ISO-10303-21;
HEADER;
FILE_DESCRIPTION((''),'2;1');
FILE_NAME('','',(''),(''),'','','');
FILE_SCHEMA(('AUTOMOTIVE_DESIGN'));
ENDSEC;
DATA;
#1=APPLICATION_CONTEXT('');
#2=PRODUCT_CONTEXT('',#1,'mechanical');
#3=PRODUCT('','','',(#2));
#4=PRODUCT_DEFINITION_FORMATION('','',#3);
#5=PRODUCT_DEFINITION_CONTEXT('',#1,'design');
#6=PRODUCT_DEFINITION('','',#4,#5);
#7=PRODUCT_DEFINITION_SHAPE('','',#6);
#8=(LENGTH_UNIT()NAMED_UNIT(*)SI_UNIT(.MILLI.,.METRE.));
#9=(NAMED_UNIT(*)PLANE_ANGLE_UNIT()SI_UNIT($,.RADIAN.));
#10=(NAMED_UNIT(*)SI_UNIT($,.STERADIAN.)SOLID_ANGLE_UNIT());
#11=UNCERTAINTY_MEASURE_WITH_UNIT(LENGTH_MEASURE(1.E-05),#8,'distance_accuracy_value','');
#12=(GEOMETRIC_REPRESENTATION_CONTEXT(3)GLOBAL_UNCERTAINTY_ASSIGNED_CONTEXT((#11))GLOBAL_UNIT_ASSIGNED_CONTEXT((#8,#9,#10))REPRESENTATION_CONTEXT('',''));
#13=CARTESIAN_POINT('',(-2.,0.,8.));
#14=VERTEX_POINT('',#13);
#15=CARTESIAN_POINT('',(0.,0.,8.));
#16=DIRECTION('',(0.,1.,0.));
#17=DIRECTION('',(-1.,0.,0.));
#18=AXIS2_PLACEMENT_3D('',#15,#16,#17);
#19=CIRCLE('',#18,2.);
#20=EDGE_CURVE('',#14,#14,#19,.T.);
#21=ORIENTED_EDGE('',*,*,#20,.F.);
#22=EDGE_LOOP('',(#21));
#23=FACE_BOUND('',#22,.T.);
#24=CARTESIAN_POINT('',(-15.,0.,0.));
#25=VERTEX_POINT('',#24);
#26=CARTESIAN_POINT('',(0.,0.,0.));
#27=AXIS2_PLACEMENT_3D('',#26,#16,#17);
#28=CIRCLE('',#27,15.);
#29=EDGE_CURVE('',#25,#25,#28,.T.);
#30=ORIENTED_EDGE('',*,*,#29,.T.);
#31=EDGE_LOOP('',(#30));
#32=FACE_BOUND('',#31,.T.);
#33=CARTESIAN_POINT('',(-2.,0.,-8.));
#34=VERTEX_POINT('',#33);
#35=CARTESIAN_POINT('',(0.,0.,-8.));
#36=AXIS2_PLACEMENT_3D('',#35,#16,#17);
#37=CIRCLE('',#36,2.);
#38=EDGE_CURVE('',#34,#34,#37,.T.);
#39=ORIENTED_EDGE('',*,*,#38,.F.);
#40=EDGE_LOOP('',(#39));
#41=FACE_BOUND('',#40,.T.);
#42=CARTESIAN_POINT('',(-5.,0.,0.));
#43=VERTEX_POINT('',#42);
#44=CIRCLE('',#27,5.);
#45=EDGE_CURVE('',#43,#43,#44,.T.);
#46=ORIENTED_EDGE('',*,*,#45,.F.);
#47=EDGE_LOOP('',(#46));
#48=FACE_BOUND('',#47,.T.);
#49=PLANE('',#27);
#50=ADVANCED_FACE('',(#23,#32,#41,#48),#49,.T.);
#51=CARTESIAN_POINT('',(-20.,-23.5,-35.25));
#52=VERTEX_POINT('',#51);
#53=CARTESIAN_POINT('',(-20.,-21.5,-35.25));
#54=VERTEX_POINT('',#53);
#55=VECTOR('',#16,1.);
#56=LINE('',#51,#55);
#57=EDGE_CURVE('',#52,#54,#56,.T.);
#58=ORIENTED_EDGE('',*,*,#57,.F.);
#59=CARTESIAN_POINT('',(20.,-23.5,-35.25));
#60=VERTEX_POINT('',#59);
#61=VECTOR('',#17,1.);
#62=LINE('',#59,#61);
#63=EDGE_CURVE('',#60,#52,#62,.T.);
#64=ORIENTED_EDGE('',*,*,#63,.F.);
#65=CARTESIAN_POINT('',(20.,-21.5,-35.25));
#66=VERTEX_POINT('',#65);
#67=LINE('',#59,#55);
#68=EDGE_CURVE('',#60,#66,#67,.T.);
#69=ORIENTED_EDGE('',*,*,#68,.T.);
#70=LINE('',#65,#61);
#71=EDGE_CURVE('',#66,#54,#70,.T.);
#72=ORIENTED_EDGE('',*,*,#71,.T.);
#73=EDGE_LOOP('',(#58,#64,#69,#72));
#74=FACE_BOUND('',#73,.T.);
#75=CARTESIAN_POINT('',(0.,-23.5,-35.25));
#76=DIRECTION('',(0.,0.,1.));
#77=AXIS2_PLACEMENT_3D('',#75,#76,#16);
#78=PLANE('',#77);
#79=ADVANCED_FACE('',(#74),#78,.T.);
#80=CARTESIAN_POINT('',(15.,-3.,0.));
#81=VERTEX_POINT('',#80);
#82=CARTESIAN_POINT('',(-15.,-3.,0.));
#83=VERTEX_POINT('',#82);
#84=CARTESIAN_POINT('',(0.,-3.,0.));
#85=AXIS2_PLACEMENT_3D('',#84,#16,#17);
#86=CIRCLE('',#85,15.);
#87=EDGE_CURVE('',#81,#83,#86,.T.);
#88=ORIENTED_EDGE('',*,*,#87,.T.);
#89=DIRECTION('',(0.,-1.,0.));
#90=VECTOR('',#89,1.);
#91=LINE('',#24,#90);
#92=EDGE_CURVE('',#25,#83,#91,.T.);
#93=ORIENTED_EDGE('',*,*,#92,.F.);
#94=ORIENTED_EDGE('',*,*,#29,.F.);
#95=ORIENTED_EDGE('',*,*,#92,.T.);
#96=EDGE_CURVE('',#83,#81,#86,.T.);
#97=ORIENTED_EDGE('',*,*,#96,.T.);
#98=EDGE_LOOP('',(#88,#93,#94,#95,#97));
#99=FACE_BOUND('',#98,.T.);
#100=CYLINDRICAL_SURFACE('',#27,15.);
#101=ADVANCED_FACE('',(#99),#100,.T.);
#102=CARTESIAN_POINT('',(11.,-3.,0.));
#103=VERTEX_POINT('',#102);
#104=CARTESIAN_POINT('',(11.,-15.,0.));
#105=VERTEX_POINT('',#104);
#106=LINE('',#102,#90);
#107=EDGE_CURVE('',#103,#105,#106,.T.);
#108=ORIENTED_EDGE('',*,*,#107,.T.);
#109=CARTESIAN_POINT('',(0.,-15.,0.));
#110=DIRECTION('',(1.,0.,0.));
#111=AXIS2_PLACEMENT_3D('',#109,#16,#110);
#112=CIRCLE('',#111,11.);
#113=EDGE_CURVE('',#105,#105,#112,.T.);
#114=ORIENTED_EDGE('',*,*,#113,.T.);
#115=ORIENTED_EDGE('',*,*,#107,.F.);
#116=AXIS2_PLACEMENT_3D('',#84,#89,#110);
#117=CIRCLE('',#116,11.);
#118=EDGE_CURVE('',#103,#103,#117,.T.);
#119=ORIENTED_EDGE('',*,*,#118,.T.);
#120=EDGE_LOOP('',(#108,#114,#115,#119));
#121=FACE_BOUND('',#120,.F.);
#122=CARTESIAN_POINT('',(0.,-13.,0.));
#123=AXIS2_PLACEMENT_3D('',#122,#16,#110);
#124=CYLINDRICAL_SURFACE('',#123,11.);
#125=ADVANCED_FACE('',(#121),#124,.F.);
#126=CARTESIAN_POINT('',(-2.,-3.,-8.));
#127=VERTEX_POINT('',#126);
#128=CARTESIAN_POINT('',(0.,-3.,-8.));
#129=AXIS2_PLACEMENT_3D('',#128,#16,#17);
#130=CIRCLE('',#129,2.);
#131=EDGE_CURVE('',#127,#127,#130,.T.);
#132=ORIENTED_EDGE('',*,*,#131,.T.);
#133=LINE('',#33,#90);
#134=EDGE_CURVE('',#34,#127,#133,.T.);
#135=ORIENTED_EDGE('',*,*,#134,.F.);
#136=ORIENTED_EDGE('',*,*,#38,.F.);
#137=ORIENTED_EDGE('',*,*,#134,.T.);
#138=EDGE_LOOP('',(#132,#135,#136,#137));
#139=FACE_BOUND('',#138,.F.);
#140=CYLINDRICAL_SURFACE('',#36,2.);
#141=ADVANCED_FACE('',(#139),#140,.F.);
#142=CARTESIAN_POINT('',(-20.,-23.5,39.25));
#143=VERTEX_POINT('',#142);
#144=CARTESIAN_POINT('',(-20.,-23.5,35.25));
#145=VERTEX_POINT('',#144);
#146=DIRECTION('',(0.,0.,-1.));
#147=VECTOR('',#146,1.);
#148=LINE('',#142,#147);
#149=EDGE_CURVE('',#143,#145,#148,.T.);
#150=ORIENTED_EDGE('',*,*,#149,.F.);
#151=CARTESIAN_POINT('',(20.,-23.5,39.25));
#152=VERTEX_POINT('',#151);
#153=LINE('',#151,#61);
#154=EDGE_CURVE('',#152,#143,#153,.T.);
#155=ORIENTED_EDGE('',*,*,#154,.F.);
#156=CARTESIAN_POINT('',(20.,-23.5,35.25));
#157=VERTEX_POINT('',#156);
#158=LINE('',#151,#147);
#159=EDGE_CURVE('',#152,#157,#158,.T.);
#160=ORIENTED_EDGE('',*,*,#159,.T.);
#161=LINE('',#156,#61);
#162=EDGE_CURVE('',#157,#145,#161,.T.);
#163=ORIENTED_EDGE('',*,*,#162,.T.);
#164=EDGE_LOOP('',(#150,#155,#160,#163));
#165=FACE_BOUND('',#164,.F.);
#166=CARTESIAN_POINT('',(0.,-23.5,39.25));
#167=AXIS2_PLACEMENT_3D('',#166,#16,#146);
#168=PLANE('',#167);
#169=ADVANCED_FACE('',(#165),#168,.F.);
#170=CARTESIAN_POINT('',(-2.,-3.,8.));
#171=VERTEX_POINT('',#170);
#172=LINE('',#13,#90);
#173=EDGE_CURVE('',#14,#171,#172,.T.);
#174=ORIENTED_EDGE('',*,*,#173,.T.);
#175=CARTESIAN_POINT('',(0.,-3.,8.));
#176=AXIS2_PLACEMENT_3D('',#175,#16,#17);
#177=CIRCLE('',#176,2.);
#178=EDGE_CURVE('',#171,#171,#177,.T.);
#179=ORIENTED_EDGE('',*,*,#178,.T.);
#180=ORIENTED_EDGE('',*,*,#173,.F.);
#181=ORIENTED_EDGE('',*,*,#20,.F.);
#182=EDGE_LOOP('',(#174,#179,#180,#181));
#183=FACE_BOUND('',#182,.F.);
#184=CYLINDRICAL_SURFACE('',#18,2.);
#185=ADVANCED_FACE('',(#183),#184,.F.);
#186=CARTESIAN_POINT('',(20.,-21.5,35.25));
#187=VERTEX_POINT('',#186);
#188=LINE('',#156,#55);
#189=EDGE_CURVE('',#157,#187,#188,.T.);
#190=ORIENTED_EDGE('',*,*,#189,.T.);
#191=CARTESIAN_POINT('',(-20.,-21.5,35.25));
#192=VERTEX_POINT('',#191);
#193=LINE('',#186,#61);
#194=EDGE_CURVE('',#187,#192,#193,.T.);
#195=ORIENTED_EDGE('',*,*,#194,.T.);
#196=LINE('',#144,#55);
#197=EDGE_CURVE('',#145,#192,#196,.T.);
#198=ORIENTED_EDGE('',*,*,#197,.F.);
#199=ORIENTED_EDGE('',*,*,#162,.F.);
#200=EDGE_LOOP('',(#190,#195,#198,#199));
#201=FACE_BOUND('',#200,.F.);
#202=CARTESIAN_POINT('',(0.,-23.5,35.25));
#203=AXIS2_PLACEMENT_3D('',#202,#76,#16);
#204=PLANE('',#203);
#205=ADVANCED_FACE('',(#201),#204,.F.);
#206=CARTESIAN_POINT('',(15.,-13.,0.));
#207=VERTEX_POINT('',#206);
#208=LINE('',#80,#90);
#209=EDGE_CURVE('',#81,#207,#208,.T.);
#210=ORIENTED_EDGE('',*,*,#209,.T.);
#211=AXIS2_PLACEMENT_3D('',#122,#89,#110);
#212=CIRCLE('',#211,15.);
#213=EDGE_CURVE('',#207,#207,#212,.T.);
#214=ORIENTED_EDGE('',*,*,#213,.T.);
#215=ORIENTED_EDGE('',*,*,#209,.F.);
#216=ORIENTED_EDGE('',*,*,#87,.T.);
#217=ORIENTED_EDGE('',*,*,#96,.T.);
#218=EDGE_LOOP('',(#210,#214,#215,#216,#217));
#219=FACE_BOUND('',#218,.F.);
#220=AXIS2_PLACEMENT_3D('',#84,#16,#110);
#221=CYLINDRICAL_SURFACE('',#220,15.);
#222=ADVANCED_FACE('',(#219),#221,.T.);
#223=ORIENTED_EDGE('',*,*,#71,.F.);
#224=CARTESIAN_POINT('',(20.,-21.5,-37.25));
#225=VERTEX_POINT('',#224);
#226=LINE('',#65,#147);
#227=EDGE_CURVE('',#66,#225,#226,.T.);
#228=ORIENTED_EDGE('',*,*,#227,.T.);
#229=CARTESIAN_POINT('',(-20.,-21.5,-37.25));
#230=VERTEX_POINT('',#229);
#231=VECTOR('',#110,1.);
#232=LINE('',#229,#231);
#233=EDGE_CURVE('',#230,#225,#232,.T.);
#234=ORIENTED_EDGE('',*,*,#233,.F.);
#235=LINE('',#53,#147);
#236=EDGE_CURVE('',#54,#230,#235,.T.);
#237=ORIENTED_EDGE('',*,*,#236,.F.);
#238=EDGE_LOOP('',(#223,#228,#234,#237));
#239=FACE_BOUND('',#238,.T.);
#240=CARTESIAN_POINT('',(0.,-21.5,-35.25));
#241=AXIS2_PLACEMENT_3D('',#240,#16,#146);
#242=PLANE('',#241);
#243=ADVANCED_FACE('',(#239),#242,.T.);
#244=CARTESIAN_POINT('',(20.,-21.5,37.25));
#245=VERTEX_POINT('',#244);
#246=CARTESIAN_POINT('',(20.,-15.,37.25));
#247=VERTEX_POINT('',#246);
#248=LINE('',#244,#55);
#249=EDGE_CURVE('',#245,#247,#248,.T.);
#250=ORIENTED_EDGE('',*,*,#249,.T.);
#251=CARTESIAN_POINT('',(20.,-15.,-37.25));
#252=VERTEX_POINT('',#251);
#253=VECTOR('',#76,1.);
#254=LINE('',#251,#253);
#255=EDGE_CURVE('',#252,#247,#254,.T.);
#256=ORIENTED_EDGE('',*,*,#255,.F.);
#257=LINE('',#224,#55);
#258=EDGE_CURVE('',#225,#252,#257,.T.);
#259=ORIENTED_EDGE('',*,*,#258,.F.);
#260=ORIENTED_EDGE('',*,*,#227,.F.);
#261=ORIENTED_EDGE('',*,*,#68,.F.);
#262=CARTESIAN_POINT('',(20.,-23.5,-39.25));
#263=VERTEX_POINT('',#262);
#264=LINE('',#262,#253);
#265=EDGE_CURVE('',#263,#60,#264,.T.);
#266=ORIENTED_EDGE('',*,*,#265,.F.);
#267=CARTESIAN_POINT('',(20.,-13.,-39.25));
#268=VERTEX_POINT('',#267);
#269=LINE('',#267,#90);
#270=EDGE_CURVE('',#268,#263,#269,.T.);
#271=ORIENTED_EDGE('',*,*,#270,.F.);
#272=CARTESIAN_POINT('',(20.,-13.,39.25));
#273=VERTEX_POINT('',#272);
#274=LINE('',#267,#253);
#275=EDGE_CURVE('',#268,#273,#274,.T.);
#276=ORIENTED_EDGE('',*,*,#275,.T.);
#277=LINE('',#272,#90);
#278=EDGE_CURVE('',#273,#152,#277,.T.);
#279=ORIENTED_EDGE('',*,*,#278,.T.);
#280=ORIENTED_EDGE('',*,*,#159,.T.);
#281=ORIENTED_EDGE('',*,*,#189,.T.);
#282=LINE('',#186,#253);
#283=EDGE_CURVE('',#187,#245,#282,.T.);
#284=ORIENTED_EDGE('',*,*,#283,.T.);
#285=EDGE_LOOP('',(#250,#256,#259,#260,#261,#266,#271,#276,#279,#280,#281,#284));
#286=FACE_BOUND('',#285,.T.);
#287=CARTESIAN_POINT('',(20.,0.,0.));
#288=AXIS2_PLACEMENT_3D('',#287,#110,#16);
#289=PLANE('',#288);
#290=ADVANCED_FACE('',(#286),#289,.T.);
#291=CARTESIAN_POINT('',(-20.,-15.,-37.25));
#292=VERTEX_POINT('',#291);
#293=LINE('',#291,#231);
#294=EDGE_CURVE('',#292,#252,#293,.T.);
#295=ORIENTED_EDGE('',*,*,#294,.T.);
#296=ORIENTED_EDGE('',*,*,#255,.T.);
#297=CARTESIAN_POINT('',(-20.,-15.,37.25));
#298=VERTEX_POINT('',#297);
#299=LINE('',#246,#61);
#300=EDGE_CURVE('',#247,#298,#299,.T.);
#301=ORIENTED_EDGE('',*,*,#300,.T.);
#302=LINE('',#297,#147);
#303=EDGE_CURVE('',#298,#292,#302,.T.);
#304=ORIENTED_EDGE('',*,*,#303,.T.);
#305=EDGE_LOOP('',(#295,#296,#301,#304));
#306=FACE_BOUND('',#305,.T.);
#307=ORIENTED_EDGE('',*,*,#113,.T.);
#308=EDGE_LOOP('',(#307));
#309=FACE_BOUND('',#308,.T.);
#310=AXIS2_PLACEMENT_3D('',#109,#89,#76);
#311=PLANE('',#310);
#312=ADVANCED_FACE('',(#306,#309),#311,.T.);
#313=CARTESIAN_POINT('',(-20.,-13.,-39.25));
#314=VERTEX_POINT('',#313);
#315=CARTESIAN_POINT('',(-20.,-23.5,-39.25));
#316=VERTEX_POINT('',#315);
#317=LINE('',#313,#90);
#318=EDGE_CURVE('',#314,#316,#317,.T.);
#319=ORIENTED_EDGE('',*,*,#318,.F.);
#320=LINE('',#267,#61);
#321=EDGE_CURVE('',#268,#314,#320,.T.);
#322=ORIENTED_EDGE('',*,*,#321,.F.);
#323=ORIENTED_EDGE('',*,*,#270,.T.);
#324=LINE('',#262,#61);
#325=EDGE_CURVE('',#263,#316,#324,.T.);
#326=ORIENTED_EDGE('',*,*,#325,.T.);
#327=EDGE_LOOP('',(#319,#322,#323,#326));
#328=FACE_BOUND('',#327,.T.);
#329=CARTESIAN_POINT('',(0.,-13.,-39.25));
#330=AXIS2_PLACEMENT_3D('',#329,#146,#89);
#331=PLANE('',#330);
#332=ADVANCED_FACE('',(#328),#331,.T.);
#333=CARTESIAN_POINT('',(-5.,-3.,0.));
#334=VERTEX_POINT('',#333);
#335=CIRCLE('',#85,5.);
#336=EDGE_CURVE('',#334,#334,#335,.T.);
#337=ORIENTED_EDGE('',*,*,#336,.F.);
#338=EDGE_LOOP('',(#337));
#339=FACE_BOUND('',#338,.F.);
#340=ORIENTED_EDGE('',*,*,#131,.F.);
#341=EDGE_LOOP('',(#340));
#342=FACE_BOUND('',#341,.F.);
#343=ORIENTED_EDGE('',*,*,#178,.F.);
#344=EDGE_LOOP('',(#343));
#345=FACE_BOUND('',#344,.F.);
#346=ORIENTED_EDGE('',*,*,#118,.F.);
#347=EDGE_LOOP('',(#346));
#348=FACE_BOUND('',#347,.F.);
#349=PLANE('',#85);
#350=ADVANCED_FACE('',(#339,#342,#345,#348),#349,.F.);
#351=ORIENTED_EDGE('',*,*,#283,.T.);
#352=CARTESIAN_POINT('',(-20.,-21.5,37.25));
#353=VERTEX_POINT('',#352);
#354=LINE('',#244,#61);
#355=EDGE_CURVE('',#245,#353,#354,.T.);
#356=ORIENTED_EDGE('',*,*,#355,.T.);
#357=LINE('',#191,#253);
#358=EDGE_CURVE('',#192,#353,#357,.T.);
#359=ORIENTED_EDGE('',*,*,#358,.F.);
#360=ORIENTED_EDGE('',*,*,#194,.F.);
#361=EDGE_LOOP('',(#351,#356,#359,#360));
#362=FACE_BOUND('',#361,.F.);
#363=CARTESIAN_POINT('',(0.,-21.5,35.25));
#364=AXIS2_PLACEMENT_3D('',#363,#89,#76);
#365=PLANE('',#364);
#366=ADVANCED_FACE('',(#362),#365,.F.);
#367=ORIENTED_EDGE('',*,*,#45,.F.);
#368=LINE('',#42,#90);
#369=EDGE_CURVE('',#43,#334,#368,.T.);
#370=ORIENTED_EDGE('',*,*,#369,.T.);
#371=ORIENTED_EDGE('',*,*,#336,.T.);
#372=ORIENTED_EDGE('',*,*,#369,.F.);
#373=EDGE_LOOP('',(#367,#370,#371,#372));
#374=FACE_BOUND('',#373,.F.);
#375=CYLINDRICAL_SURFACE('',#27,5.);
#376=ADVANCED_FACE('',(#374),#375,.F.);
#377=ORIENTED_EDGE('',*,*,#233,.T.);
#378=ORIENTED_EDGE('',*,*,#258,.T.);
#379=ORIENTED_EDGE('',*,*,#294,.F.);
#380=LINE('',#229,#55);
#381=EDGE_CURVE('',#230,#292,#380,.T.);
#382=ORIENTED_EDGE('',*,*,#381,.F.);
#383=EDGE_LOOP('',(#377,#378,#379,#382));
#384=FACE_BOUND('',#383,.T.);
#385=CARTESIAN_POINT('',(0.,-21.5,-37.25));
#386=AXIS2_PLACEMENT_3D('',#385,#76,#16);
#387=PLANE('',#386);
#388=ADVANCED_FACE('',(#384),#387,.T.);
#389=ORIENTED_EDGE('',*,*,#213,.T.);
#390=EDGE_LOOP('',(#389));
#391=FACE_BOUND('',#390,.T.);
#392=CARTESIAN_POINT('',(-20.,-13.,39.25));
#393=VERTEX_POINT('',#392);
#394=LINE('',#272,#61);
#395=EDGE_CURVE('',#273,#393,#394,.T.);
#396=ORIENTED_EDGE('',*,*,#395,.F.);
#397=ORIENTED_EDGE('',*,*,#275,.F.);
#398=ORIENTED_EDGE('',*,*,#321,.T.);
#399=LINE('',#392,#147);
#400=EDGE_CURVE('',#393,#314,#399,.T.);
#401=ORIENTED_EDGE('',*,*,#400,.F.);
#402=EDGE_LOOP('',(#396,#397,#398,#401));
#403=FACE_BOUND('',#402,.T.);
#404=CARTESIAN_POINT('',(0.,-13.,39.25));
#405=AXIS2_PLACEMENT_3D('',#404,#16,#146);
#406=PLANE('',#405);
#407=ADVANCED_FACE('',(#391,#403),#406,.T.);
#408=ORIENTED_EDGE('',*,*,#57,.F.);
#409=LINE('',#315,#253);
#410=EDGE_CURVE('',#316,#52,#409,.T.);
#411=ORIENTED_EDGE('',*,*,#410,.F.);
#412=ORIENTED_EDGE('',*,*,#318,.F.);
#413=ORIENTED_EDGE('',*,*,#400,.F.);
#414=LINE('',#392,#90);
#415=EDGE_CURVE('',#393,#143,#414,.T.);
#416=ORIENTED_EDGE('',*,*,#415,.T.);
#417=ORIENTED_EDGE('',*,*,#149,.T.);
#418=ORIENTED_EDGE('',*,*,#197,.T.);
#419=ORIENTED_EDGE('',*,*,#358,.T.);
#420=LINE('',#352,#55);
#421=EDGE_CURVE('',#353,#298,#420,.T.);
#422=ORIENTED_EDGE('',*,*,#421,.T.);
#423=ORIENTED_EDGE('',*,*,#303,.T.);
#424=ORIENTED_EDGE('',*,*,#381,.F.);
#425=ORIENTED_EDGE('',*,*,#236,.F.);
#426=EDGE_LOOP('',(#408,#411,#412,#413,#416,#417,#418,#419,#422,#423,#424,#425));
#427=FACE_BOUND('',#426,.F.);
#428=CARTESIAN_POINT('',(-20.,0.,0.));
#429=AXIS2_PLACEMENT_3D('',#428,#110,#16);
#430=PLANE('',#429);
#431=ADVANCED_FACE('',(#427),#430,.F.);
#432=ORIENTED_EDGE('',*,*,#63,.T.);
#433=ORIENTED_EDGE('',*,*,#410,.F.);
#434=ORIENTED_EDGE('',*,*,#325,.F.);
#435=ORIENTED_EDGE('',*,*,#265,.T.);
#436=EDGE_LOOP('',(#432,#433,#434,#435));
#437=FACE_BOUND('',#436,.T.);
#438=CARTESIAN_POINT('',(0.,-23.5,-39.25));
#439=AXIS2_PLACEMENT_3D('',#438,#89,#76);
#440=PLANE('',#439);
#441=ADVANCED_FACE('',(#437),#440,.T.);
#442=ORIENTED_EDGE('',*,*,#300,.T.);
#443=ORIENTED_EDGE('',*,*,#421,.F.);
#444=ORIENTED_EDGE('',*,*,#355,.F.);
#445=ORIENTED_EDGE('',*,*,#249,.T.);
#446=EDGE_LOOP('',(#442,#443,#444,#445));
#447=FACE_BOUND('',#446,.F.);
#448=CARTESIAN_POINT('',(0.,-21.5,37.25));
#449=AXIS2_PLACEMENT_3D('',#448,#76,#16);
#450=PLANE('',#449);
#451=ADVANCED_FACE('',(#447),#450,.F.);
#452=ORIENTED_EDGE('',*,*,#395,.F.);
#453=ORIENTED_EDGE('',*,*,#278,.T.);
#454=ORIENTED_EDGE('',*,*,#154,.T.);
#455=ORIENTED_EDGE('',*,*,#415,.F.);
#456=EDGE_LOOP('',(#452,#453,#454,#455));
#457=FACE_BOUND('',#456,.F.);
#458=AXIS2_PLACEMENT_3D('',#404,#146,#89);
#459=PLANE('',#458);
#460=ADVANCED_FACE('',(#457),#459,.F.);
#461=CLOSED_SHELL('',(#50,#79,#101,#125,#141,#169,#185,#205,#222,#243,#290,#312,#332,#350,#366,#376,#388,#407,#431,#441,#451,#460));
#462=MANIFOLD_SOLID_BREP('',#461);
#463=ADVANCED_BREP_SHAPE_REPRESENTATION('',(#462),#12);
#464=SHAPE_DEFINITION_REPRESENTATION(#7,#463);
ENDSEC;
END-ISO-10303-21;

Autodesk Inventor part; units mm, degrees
ref_plane "YZ Plane" through (0, 0, 0) normal (1, 0, 0) x (0, 1, 0)
ref_plane "XZ Plane" through (0, 0, 0) normal (0, 1, 0) x (-1, 0, 0)
ref_plane "XY Plane" through (0, 0, 0) normal (0, 0, 1) x (1, 0, 0)
sketch "Boceto1" plane through (0, 0, 0) normal (0, 1, 0) x (-1, 0, 0)
  circle A0 centre (0, 0) radius 15
  circle A1 centre (0, 0) radius 5
  circle A2 centre (0, 8) radius 2
  circle A3 centre (0, -8) radius 2
  dimension "d0" = 30
  dimension "d1" = 10
  dimension "d2" = 4
  dimension "d3" = 8
  dimension "d4" = 4
  dimension "d5" = 8
extrude "Extrusión1" add sketch "Boceto1" against normal blind 3
sketch "Boceto2" plane through (0, -3, 0) normal (0, -1, 0) x (1, 0, 0)
  circle A0 centre (0, 0) radius 11
  circle A1 centre (0, 0) radius 15
  dimension "d8" = 22
extrude "Extrusión2" add sketch "Boceto2" along normal blind 10
sketch "Boceto5" plane through (0, 0, 0) normal (1, 0, 0) x (0, 1, 0)
  line L0 (-15, 0) -> (-15, 37.25)
  line L1 (-32.5779, 0) -> (6.5779, 0) construction
  line L2 (-13, 39.25) -> (-13, 0)
  line L3 (-13, 39.25) -> (-23.5, 39.25)
  line L4 (-23.5, 39.25) -> (-23.5, 35.25)
  line L5 (-23.5, 35.25) -> (-21.5, 35.25)
  line L6 (-21.5, 35.25) -> (-21.5, 37.25)
  line L7 (-21.5, 37.25) -> (-15, 37.25)
  line L8 (-15, 0) -> (-15, -37.25)
  line L9 (-13, -39.25) -> (-13, 0)
  line L10 (-13, -39.25) -> (-23.5, -39.25)
  line L11 (-23.5, -39.25) -> (-23.5, -35.25)
  line L12 (-23.5, -35.25) -> (-21.5, -35.25)
  line L13 (-21.5, -35.25) -> (-21.5, -37.25)
  line L14 (-21.5, -37.25) -> (-15, -37.25)
  point P0 (0, 0)
  dimension "d27" = 10.5
  dimension "d28" = 4
  dimension "d29" = 2
  dimension "d30" = 2
extrude "Extrusión5" add sketch "Boceto5" along normal mid plane 40
sketch "Boceto6" plane through (0, -13, 0) normal (0, 1, 0) x (1, 0, 0)
  circle A0 centre (0, 0) radius 11 projected
  point P0 (0, 0)
extrude "Extrusión6" cut sketch "Boceto6" against normal through all
properties part number "motor_prueba_3DPrint"
